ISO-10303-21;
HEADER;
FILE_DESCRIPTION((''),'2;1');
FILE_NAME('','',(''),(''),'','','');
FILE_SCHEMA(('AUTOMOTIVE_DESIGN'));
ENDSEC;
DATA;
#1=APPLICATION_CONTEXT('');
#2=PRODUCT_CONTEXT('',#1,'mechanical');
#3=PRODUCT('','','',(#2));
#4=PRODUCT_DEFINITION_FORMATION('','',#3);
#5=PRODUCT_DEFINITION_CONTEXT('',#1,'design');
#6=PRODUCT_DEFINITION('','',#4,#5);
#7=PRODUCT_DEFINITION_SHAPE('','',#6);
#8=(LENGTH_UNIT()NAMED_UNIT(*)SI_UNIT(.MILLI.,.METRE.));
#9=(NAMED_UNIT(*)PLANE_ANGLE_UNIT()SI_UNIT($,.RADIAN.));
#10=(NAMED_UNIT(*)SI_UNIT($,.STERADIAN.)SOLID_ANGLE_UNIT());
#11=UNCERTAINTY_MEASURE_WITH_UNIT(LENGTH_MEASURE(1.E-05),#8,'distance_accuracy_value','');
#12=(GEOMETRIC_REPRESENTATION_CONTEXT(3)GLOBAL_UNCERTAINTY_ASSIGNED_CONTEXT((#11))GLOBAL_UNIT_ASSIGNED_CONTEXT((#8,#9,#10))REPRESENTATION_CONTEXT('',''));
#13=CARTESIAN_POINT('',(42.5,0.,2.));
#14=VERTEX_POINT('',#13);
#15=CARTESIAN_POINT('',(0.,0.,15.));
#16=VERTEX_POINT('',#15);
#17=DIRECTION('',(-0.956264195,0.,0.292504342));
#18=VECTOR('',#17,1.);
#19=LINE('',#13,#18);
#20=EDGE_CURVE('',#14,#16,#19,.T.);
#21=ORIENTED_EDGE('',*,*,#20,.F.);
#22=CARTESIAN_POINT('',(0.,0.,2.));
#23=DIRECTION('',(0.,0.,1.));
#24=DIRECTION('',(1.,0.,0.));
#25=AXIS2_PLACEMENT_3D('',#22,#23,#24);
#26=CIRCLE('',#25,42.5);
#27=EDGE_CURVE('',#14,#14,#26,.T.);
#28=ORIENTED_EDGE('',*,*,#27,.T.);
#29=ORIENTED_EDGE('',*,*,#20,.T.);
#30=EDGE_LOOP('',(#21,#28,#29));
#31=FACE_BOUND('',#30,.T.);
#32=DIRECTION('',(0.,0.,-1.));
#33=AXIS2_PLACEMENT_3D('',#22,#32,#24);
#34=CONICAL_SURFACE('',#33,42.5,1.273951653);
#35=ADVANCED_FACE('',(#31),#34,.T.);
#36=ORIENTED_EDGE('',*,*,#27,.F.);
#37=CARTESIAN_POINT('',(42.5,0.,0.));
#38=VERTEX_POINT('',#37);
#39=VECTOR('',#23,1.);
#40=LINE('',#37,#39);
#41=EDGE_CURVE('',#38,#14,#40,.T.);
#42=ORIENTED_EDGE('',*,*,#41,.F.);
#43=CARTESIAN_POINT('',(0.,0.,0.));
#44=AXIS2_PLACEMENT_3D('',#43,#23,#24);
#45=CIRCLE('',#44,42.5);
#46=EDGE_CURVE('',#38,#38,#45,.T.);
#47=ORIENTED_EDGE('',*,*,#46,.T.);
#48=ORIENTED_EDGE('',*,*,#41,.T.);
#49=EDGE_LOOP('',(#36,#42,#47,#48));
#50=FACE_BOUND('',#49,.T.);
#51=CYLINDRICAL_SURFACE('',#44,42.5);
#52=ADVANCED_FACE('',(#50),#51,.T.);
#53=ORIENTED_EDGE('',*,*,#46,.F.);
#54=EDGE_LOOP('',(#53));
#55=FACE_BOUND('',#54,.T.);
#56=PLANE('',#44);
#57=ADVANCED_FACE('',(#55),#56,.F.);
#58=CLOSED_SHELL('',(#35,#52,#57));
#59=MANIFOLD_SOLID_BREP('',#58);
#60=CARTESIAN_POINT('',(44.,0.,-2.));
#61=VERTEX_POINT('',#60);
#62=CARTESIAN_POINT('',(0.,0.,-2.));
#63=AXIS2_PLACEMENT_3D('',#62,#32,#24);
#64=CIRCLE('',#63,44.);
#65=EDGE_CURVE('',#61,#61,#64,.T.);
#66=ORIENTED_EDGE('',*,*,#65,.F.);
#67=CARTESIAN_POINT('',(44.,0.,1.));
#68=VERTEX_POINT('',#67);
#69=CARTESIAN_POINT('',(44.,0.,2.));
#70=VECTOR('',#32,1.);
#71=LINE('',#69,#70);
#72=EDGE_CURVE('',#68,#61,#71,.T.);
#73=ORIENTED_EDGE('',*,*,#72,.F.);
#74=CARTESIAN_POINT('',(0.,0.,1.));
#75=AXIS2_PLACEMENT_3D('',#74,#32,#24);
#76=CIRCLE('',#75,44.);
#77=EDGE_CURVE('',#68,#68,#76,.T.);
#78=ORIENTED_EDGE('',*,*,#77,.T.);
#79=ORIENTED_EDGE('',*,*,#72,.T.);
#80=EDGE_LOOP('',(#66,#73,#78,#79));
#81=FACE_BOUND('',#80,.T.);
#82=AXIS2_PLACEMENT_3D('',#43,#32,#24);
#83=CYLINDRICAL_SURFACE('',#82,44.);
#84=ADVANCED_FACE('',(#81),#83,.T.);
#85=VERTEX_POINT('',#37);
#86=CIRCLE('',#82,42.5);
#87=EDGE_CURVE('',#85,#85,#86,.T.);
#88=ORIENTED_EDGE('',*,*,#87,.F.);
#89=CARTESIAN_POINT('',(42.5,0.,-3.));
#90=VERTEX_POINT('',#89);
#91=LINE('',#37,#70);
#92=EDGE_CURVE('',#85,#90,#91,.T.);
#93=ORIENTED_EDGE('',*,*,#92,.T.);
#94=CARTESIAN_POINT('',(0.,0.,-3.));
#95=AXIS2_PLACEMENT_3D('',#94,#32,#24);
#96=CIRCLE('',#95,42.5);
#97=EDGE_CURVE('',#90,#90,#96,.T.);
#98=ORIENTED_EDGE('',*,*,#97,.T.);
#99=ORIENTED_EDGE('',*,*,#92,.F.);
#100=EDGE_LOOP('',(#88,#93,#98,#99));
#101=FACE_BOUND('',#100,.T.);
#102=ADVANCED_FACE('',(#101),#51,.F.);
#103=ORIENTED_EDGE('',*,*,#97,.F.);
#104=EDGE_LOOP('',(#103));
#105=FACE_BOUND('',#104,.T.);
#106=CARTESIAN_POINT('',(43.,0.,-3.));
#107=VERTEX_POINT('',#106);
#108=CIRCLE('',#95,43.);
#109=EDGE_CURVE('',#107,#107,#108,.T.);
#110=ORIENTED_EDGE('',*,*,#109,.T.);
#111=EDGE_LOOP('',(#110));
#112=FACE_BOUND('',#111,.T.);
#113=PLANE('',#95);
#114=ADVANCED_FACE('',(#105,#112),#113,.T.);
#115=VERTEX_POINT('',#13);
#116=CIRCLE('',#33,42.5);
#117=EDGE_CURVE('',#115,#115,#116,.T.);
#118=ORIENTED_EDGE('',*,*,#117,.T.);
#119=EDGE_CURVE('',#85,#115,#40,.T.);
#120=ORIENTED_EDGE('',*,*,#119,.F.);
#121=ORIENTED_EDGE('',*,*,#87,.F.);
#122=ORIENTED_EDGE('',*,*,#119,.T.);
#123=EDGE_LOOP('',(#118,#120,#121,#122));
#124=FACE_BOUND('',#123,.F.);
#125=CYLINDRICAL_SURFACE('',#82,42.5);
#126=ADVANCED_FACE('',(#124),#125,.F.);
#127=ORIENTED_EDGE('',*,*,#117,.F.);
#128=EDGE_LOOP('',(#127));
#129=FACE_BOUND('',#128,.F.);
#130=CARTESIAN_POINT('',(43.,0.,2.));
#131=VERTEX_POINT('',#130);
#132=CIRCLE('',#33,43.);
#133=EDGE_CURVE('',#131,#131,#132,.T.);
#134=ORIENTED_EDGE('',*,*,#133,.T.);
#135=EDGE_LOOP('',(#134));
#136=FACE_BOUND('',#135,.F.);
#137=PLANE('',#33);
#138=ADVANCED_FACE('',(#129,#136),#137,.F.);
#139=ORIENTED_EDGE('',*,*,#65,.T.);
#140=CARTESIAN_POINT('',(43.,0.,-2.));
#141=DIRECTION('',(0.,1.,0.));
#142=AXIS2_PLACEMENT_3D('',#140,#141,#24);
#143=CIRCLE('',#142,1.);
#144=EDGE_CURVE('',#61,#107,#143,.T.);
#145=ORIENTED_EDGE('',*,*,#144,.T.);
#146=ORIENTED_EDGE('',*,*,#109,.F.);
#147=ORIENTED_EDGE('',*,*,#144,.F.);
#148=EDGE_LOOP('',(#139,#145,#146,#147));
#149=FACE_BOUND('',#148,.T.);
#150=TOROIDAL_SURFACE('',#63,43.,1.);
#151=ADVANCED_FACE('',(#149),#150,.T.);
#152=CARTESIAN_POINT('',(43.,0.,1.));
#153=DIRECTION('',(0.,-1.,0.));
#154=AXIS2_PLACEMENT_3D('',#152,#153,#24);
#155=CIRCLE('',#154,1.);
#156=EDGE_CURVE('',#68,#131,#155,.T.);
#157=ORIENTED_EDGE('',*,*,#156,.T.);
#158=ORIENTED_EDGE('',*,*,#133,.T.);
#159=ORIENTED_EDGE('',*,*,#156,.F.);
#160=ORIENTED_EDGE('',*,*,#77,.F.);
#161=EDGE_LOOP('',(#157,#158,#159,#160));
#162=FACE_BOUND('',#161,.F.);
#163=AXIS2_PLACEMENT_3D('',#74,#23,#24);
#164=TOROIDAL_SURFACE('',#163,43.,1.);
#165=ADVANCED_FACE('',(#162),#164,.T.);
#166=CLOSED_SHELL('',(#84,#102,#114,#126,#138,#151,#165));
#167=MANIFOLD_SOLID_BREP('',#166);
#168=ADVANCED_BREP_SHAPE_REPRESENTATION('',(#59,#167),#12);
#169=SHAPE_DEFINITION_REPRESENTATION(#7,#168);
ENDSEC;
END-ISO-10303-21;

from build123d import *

# Parameters (mm, degrees)
F2_R          = 44
F2_R_2        = 42.5
F3_DEPTH      = 3
F3_DEPTH_BACK = 2
F4_R          = 1


with BuildPart() as f1:
    # F0 (on Front) → F1 (revolve)
    with BuildSketch(Plane.XZ):
        Polygon((0, 15), (0, 0), (42.5, 0), (42.5, 2), align=None)
    revolve(axis=Axis((0, 0, 7.5), (0, 0, 1)))


with BuildPart() as f3:
    # F2 (on face) → F3 (new body, two sides)
    with BuildSketch(Plane(origin=(0, 0, 0), x_dir=(1, 0, 0), z_dir=(0, 0, -1))) as f3_sk:
        Circle(F2_R)
        Circle(F2_R_2, mode=Mode.SUBTRACT)
    extrude(amount=F3_DEPTH)
    extrude(f3_sk.sketch, amount=-F3_DEPTH_BACK)

    # F4
    f4_edges = [f3.edges().sort_by_distance(p)[0] for p in [
        (-44, 0, -3),
        (-44, 0, 2),
    ]]
    fillet(f4_edges, radius=F4_R)


solid = Compound([f1.part, f3.part])
